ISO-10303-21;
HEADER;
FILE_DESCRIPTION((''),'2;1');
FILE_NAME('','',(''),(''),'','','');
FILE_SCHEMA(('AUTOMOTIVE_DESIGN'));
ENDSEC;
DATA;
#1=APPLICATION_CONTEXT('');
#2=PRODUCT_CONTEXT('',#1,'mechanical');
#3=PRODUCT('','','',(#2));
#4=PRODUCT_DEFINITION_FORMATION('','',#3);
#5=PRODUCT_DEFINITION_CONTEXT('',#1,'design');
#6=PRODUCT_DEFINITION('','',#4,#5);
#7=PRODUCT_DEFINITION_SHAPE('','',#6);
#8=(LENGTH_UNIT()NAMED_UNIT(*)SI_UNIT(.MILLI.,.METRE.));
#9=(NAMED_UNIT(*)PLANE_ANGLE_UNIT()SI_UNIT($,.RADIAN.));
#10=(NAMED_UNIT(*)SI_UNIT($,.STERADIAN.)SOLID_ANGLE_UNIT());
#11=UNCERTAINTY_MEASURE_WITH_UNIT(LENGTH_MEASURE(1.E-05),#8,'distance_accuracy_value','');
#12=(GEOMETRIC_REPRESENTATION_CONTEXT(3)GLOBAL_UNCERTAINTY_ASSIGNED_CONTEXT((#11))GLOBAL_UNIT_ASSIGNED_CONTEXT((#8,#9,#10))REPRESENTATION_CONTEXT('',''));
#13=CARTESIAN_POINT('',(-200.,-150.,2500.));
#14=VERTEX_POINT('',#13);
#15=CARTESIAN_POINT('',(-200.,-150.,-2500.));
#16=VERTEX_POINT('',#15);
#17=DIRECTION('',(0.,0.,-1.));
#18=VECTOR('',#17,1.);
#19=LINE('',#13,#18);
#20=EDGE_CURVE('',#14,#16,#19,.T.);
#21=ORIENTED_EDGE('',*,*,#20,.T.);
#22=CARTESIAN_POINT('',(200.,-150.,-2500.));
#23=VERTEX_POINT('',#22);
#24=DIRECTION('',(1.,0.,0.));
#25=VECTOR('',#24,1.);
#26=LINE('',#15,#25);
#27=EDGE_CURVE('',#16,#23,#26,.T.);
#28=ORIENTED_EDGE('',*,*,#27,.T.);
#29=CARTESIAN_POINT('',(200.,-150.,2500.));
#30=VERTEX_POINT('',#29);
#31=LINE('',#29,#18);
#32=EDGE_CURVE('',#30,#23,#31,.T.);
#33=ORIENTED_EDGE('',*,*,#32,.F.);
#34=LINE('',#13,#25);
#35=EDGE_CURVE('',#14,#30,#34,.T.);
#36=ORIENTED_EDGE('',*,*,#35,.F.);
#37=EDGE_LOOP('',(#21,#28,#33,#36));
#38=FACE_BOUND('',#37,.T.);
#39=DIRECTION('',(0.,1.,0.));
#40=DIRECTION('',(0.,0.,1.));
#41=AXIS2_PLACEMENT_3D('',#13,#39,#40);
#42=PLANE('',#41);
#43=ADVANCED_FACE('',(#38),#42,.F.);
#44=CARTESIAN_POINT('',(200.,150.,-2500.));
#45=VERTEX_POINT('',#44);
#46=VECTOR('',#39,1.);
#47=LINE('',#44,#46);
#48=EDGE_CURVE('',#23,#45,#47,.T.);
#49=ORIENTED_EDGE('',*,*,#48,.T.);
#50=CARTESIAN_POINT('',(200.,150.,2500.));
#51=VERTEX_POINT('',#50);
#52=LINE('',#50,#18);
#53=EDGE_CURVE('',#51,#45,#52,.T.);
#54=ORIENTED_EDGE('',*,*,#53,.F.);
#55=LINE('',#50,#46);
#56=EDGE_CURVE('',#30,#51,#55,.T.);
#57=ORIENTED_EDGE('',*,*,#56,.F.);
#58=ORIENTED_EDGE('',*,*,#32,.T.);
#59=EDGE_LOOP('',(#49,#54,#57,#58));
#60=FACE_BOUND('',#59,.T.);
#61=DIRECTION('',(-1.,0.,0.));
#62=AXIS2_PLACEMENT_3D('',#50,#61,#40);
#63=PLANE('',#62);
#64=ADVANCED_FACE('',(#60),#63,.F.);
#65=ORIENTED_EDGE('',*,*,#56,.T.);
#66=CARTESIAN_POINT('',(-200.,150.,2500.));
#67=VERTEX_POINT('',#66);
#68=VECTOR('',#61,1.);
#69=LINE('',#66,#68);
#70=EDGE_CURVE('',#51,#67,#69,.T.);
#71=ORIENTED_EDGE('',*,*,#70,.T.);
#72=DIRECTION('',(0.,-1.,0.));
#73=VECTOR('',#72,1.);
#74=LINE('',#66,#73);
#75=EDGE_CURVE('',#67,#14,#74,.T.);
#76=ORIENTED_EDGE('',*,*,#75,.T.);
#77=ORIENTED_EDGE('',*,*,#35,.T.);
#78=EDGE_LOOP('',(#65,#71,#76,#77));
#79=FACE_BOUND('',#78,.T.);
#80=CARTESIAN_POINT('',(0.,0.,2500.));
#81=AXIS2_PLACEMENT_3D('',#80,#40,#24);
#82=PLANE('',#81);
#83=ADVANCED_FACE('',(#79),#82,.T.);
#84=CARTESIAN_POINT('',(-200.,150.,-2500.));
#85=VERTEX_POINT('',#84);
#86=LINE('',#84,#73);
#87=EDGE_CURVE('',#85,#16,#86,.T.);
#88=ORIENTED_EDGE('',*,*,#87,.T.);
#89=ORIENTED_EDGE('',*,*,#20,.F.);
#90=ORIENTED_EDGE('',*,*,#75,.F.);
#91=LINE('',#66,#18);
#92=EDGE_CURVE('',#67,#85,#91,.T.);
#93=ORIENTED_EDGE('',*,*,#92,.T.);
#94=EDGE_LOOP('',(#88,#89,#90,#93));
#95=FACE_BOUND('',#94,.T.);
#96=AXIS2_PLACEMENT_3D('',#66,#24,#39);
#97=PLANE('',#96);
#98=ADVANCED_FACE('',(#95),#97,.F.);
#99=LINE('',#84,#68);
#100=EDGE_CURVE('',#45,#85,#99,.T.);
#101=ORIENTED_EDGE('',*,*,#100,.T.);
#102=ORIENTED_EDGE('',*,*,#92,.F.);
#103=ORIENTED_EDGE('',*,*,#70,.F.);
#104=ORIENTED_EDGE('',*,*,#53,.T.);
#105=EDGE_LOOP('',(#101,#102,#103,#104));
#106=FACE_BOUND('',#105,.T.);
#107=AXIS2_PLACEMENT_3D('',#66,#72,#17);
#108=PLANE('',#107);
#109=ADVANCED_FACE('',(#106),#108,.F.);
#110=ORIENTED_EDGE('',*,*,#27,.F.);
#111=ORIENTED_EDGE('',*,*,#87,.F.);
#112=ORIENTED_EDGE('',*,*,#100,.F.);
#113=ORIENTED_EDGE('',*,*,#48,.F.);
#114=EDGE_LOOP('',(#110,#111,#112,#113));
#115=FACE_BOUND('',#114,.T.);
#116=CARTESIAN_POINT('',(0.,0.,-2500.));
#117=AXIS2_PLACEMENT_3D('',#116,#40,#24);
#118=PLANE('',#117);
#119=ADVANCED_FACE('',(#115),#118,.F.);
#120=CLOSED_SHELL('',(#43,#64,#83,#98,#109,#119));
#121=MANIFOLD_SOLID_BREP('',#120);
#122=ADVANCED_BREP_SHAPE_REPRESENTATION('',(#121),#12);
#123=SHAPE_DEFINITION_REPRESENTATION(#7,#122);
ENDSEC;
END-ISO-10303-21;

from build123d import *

# Parameters (mm, degrees)
SKETCH_1_W      = 400
SKETCH_1_H      = 300
EXTRUDE_1_DEPTH = 2500


with BuildPart() as part:
    # 草图1 → 凸台-拉伸1 (new, symmetric)
    with BuildSketch(Plane.XY):
        Rectangle(SKETCH_1_W, SKETCH_1_H)
    extrude(amount=EXTRUDE_1_DEPTH, both=True)


solid = part.part
